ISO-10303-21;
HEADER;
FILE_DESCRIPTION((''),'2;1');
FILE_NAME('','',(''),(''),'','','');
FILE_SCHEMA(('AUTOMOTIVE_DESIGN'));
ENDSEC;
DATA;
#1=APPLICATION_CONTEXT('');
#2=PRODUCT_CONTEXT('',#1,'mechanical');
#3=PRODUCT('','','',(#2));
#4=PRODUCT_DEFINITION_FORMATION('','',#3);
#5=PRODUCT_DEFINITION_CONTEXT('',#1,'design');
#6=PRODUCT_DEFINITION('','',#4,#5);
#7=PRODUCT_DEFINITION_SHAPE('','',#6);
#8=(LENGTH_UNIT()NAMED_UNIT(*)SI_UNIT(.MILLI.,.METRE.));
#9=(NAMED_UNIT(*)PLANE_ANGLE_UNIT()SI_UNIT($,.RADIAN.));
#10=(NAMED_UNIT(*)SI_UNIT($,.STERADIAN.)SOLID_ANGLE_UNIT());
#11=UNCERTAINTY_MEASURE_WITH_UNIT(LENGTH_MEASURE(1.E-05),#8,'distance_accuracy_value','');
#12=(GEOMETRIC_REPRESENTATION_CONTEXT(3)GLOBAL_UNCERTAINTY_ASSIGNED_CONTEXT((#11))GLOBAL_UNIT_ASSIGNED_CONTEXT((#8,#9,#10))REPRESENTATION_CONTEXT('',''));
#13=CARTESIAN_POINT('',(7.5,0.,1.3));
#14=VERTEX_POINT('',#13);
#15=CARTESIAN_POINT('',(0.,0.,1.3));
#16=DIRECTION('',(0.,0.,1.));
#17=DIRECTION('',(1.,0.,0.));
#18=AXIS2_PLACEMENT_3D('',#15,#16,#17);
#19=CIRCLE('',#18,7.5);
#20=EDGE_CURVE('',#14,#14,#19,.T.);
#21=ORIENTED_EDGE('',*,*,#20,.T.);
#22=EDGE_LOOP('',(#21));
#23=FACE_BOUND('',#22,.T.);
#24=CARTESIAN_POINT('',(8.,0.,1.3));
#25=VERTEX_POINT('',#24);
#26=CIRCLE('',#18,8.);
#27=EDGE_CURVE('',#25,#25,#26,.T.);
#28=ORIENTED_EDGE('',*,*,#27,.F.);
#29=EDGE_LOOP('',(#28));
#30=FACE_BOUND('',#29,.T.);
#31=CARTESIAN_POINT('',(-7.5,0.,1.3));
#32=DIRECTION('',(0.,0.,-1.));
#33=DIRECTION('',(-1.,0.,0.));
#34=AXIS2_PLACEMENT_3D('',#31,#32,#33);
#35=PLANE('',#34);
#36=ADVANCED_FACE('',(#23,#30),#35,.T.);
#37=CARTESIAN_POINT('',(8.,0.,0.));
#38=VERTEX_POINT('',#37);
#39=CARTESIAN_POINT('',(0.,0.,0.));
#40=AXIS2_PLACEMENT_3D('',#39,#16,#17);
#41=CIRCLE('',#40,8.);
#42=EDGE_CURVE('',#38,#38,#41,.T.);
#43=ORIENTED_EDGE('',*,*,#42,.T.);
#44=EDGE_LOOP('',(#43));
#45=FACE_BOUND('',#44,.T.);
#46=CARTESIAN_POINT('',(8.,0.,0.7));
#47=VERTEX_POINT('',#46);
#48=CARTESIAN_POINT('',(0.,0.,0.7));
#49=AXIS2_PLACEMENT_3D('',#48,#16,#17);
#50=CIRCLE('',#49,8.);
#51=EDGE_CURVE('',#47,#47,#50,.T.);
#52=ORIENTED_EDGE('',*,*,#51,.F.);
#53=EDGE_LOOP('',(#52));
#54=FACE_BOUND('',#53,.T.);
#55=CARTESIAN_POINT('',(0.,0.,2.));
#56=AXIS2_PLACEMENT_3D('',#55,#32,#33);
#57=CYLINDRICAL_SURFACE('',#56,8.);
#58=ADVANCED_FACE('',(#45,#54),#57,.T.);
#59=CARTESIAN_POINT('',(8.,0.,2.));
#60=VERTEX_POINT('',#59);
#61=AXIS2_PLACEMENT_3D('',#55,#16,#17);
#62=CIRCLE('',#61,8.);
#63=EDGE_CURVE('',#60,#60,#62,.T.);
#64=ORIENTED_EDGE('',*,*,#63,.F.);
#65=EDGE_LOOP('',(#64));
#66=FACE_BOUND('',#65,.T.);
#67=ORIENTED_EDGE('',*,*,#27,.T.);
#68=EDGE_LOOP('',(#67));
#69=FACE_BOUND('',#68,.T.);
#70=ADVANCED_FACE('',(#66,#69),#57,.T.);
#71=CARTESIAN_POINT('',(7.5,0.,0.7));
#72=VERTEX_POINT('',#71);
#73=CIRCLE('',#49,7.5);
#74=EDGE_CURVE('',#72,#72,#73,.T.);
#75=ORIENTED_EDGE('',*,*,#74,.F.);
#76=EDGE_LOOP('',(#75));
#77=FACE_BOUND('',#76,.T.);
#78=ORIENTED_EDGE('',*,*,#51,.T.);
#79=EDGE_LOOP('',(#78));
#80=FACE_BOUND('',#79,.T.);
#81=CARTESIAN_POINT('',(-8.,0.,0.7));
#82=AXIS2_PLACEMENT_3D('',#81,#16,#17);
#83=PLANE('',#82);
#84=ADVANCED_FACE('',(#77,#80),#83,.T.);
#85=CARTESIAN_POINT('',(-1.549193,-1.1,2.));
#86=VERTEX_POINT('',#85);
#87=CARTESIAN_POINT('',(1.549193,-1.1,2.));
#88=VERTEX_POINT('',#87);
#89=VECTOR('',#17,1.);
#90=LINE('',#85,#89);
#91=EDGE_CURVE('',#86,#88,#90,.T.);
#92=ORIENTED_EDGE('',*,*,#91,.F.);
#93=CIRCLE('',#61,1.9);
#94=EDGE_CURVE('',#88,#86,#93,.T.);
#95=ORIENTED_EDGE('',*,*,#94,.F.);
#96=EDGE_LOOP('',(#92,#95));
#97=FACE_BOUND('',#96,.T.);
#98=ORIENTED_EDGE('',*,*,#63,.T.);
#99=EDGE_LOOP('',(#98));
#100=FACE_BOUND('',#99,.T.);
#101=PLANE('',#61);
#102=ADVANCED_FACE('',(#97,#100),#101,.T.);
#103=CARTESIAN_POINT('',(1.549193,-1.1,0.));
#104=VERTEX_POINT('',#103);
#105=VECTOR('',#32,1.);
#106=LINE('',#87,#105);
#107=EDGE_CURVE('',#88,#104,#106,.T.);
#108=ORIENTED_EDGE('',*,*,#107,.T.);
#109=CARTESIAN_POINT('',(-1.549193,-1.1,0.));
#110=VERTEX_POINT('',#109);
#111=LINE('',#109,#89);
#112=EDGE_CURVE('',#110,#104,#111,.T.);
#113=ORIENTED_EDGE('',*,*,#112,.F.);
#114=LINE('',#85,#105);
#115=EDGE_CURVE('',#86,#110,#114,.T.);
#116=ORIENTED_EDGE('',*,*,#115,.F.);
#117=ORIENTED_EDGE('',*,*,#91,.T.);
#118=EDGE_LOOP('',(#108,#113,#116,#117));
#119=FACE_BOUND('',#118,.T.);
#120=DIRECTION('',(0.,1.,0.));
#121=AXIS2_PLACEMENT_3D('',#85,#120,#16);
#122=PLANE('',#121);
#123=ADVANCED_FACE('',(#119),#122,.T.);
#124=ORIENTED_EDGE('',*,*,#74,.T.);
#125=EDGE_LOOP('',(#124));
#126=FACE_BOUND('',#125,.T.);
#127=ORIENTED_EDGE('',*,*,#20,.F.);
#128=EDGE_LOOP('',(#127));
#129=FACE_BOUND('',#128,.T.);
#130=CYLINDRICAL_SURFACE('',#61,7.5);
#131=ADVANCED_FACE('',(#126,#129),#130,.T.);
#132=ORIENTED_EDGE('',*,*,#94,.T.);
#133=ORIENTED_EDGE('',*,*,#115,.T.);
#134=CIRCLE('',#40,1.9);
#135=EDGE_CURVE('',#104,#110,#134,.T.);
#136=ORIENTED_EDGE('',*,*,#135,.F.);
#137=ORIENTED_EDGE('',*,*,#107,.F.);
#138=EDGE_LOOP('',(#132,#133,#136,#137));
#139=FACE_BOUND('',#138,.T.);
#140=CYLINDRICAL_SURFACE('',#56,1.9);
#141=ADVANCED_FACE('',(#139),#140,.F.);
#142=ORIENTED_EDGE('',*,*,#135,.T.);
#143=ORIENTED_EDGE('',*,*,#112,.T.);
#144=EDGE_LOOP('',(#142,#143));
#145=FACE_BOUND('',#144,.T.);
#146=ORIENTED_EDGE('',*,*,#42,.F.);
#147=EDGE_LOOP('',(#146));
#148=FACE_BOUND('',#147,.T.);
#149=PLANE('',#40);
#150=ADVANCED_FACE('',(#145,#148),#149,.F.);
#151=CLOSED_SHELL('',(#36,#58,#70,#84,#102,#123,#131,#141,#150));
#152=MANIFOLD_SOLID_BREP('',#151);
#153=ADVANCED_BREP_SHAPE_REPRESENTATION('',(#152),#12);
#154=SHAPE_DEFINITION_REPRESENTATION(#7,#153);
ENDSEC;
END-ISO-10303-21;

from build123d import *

# Parameters (mm, degrees)
SKETCH1_R           = 8
BOSS_EXTRUDE2_DEPTH = 2
SKETCH2_W           = 0.5
SKETCH2_H           = 0.6


with BuildPart() as part:
    # Sketch1 → Boss-Extrude2 (new body)
    with BuildSketch(Plane.XY):
        Circle(SKETCH1_R)
        with BuildLine():
            Line((-1.549193338, -1.1), (1.549193338, -1.1))
            ThreePointArc((1.549193338, -1.1), (0, 1.9), (-1.549193338, -1.1))
        make_face(mode=Mode.SUBTRACT)
    extrude(amount=BOSS_EXTRUDE2_DEPTH)

    # Sketch2 → Cut-Revolve1 (revolve, cut)
    with BuildSketch(Plane(origin=(0, 0, 0), x_dir=(1, 0, 0), z_dir=(0, 1, 0)), mode=Mode.PRIVATE) as cut_revolve1_sk:
        with Locations((-7.75, -1)):
            Rectangle(SKETCH2_W, SKETCH2_H)
    revolve(cut_revolve1_sk.sketch.rotate(Axis((0, 0, 2), (0, 0, -1)), 180), axis=Axis((0, 0, 2), (0, 0, -1)), mode=Mode.SUBTRACT)


solid = part.part
